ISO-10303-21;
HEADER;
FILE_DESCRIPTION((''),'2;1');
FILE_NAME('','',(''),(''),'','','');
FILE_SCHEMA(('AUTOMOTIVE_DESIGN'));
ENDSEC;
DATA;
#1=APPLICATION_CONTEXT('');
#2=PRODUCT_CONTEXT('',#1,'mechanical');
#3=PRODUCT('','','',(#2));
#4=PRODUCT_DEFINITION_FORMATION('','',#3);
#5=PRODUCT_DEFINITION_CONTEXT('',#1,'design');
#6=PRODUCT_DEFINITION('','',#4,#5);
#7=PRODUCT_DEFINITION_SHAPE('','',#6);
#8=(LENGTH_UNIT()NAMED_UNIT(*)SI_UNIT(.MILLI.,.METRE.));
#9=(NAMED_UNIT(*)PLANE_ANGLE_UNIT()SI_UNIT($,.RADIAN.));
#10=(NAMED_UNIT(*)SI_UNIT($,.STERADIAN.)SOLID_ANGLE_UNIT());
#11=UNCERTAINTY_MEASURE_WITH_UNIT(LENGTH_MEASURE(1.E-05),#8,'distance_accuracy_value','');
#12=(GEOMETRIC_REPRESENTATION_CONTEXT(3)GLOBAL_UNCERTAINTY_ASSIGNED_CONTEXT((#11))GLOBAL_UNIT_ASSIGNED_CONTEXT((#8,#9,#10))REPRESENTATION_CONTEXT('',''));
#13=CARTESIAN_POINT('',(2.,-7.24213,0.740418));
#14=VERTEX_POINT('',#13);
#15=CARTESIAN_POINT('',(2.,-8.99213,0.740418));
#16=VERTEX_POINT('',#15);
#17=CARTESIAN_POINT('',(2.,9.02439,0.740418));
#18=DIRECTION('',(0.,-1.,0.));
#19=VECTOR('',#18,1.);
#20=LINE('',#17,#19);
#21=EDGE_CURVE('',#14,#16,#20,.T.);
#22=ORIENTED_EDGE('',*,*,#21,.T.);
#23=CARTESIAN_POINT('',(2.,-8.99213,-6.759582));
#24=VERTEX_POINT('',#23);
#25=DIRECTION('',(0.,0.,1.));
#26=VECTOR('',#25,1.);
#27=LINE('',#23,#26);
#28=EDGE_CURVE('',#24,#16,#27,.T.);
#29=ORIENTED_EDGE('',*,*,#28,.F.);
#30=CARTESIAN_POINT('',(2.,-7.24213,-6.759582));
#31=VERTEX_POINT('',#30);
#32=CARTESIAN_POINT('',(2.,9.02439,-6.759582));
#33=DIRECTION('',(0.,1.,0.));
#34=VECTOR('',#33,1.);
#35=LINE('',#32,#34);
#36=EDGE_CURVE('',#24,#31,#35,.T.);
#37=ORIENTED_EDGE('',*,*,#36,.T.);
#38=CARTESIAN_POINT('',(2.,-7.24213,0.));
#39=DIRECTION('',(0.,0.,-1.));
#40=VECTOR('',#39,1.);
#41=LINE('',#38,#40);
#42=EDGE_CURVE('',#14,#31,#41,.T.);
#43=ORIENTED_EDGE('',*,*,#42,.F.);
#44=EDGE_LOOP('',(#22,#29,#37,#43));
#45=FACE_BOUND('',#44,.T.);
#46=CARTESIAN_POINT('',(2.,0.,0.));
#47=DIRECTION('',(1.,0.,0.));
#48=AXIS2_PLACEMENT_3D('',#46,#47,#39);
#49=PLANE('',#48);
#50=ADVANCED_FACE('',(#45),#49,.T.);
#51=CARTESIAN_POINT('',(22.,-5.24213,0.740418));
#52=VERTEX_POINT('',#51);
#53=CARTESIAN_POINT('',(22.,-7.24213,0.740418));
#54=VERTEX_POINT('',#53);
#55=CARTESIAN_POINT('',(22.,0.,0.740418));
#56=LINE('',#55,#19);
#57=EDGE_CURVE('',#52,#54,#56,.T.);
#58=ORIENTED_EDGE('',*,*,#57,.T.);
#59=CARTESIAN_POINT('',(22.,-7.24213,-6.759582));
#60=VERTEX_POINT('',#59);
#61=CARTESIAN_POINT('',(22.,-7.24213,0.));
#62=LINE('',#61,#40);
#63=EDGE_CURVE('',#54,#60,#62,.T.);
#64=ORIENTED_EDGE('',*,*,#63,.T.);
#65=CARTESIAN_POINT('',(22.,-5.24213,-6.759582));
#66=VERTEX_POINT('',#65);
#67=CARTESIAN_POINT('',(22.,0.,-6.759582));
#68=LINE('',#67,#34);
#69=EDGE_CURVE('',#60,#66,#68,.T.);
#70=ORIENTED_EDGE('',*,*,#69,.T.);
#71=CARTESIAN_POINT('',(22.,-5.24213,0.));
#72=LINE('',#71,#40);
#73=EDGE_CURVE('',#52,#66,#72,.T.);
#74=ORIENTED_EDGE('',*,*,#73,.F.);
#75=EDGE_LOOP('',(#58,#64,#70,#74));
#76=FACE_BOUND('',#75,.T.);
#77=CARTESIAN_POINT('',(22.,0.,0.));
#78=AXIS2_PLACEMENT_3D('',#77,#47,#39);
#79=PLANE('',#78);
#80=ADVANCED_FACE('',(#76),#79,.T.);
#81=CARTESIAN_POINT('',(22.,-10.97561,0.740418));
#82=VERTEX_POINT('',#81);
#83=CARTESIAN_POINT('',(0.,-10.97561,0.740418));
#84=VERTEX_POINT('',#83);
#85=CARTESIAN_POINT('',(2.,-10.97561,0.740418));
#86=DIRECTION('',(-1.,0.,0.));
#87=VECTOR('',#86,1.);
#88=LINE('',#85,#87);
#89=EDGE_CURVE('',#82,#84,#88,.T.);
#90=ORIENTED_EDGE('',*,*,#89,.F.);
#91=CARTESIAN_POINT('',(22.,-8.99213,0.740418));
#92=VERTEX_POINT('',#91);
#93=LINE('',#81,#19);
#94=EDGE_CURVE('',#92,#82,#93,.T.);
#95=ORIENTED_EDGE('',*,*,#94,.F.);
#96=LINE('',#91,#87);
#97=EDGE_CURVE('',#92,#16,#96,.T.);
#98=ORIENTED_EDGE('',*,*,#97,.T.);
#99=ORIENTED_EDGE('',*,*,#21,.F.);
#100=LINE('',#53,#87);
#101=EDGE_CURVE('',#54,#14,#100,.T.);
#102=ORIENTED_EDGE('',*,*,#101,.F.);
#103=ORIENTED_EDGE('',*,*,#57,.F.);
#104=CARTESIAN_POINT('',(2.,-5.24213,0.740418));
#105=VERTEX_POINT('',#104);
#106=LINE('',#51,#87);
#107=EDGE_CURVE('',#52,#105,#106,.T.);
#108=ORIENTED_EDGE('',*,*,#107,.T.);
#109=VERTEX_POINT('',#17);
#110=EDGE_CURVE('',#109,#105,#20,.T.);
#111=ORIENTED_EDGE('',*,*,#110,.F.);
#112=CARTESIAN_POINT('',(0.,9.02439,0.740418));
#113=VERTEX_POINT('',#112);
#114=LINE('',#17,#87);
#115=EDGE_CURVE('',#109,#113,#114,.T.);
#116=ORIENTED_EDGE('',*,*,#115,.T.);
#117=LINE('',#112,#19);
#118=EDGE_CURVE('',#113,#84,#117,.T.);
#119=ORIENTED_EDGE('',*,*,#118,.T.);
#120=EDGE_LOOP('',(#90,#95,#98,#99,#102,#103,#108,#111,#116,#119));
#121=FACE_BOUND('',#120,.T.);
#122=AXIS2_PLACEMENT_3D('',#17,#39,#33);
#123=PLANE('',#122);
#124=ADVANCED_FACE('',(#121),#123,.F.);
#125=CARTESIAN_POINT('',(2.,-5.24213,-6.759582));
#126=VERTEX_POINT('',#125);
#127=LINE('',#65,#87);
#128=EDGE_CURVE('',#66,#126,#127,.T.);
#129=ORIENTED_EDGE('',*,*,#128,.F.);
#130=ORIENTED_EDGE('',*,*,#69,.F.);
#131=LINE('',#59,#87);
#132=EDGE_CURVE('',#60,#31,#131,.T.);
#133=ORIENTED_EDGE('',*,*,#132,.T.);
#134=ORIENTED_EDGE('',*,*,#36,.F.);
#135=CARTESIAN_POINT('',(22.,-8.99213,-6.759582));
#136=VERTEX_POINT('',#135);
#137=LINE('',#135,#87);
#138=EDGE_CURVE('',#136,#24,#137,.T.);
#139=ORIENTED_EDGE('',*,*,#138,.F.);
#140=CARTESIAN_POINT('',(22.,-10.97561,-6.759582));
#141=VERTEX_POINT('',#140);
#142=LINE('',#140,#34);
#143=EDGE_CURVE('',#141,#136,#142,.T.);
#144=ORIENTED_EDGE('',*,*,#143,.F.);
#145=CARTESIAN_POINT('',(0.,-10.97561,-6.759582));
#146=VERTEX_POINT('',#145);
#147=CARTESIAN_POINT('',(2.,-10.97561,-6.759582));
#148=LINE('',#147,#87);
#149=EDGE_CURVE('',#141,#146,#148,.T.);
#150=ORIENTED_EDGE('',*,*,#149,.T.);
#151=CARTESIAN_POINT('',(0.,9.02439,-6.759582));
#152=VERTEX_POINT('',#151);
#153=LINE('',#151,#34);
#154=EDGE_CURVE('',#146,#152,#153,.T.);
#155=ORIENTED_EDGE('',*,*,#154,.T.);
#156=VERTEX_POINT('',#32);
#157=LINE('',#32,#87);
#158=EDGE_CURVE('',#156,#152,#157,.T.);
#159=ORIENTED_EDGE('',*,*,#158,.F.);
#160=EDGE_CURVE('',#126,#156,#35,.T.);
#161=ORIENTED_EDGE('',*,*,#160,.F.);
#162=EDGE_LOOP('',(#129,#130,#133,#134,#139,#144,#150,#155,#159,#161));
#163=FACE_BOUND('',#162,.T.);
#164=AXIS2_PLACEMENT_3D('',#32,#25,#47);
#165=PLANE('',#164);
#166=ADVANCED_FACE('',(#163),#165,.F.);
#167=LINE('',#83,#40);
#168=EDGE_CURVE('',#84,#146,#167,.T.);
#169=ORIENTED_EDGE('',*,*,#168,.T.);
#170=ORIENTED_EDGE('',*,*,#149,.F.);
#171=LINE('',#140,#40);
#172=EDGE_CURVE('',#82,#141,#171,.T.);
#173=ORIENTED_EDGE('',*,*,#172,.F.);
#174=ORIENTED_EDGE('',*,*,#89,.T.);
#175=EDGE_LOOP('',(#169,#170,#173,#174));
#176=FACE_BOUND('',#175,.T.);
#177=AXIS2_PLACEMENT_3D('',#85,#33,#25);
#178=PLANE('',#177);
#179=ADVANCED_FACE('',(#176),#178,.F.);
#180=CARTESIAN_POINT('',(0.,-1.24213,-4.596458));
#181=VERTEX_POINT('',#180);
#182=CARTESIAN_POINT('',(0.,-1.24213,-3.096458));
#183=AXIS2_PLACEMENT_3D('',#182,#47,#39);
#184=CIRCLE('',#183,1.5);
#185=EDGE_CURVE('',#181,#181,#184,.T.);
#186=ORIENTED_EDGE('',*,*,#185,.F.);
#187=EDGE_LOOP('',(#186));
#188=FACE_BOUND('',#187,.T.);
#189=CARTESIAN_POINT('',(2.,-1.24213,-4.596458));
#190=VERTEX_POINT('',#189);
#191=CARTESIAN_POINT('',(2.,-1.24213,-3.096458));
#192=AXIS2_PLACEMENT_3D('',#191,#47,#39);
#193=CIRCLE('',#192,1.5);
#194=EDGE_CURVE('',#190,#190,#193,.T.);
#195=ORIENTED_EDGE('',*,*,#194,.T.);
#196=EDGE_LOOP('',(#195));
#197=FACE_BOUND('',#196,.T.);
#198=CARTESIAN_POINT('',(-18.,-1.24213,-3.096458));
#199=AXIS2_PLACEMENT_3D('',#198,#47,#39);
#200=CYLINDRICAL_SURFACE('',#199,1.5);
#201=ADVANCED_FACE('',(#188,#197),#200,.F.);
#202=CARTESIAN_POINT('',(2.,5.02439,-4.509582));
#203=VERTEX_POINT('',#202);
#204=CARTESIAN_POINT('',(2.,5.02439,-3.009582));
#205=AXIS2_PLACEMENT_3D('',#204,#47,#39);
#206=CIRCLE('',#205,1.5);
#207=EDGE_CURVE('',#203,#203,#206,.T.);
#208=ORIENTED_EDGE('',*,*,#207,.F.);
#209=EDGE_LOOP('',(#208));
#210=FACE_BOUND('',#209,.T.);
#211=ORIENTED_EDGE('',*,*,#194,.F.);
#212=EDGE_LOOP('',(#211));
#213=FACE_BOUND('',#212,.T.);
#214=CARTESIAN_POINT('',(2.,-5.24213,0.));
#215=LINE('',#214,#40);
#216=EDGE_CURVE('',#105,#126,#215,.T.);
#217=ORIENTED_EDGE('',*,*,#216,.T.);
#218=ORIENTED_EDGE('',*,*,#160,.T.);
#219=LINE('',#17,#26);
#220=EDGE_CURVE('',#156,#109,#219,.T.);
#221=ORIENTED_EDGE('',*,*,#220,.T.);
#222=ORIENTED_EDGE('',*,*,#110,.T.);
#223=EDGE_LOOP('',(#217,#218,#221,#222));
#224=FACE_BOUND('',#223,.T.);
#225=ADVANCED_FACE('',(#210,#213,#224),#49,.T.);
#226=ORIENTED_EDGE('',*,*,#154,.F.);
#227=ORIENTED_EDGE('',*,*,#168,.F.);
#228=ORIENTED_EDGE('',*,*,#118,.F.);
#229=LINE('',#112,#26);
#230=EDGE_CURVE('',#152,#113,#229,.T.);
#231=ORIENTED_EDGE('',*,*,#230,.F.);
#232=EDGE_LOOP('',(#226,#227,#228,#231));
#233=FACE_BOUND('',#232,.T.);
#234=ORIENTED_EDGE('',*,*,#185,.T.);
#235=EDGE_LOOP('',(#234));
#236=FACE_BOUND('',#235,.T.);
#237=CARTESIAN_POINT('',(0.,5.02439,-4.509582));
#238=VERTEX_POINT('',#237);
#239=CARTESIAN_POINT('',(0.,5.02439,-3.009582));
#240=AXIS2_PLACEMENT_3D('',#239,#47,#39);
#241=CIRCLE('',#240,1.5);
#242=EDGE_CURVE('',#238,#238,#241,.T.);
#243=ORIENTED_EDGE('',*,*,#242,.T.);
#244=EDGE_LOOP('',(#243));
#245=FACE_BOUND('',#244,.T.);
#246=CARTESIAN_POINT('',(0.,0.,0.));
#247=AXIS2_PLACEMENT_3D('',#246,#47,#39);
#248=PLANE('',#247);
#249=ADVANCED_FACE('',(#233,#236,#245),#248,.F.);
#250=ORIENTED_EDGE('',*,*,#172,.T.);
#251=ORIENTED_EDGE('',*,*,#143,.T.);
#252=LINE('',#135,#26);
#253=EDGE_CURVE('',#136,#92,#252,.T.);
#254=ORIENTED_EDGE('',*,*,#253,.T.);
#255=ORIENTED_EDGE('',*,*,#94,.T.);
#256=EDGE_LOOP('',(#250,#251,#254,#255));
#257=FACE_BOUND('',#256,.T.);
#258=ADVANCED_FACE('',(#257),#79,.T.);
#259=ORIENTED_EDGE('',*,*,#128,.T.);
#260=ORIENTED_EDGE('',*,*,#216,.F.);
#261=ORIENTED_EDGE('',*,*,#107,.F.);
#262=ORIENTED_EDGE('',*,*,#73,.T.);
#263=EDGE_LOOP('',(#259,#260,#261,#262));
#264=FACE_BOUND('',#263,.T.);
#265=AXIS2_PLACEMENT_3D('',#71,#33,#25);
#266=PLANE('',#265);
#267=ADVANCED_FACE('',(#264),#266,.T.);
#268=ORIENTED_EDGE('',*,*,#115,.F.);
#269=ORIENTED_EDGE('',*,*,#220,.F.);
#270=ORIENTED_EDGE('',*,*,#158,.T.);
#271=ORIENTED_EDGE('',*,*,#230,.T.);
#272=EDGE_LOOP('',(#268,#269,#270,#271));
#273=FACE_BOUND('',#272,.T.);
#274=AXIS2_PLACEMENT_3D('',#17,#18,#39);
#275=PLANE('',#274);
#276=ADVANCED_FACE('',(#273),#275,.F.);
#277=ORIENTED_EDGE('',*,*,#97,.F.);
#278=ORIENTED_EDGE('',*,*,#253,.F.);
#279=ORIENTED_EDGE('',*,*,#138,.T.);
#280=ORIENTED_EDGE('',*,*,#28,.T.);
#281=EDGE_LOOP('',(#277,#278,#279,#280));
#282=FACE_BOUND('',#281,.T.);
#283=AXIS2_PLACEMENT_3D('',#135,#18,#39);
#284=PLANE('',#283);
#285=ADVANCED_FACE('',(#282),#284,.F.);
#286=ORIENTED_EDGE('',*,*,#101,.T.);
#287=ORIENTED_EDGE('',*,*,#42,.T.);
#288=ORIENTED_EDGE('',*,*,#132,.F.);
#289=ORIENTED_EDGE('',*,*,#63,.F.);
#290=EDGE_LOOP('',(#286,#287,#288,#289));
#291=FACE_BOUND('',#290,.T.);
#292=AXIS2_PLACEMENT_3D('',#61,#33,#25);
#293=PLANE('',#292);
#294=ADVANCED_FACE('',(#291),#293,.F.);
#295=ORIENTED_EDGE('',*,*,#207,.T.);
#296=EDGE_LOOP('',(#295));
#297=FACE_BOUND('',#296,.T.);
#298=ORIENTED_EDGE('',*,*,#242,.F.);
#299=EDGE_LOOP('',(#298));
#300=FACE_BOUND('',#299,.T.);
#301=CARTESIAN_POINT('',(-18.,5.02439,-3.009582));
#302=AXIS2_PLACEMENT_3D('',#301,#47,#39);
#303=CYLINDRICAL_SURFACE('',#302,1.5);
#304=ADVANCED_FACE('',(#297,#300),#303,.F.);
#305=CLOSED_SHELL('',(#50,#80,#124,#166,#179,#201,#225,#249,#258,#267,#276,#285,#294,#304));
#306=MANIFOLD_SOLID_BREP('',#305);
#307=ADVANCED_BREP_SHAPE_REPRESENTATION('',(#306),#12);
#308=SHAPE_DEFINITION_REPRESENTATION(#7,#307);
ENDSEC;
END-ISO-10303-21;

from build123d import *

# Parameters (mm, degrees)
SKETCH1_W           = 7.5
SKETCH1_H           = 20
BOSS_EXTRUDE2_DEPTH = 2
SKETCH2_W           = 7.5
SKETCH2_H           = 1.98347932
BOSS_EXTRUDE3_DEPTH = 20
SKETCH3_W           = 7.5
SKETCH3_H           = 2
BOSS_EXTRUDE4_DEPTH = 20
SKETCH5_R           = 1.5
CUT_EXTRUDE1_DEPTH  = 20


with BuildPart() as part:
    # Sketch1 → Boss-Extrude2 (new body)
    with BuildSketch(Plane(origin=(0, 0, 0), x_dir=(0, 0, -1), z_dir=(1, 0, 0))):
        with Locations((3.009581882, -0.975609756)):
            Rectangle(SKETCH1_W, SKETCH1_H)
    extrude(amount=BOSS_EXTRUDE2_DEPTH)

    # Sketch2 → Boss-Extrude3 (add)
    with BuildSketch(Plane(origin=(2, 0, 0), x_dir=(0, 0, -1), z_dir=(1, 0, 0))):
        with Locations((3.009581882, -9.983870096)):
            Rectangle(SKETCH2_W, SKETCH2_H)
    extrude(amount=BOSS_EXTRUDE3_DEPTH)

    # Sketch3 → Boss-Extrude4 (add)
    with BuildSketch(Plane(origin=(2, 0, 0), x_dir=(0, 0, -1), z_dir=(1, 0, 0))):
        with Locations((3.009581882, -6.242130436)):
            Rectangle(SKETCH3_W, SKETCH3_H)
    extrude(amount=BOSS_EXTRUDE4_DEPTH)

    # Sketch5 → Cut-Extrude1 (cut)
    with BuildSketch(Plane(origin=(2, 0, 0), x_dir=(0, 0, -1), z_dir=(1, 0, 0))):
        with Locations((3.009581882, 5.024390244)):
            Circle(SKETCH5_R)
        with Locations((3.096458319, -1.242130436)):
            Circle(SKETCH5_R)
    extrude(amount=-CUT_EXTRUDE1_DEPTH, mode=Mode.SUBTRACT)


solid = part.part
